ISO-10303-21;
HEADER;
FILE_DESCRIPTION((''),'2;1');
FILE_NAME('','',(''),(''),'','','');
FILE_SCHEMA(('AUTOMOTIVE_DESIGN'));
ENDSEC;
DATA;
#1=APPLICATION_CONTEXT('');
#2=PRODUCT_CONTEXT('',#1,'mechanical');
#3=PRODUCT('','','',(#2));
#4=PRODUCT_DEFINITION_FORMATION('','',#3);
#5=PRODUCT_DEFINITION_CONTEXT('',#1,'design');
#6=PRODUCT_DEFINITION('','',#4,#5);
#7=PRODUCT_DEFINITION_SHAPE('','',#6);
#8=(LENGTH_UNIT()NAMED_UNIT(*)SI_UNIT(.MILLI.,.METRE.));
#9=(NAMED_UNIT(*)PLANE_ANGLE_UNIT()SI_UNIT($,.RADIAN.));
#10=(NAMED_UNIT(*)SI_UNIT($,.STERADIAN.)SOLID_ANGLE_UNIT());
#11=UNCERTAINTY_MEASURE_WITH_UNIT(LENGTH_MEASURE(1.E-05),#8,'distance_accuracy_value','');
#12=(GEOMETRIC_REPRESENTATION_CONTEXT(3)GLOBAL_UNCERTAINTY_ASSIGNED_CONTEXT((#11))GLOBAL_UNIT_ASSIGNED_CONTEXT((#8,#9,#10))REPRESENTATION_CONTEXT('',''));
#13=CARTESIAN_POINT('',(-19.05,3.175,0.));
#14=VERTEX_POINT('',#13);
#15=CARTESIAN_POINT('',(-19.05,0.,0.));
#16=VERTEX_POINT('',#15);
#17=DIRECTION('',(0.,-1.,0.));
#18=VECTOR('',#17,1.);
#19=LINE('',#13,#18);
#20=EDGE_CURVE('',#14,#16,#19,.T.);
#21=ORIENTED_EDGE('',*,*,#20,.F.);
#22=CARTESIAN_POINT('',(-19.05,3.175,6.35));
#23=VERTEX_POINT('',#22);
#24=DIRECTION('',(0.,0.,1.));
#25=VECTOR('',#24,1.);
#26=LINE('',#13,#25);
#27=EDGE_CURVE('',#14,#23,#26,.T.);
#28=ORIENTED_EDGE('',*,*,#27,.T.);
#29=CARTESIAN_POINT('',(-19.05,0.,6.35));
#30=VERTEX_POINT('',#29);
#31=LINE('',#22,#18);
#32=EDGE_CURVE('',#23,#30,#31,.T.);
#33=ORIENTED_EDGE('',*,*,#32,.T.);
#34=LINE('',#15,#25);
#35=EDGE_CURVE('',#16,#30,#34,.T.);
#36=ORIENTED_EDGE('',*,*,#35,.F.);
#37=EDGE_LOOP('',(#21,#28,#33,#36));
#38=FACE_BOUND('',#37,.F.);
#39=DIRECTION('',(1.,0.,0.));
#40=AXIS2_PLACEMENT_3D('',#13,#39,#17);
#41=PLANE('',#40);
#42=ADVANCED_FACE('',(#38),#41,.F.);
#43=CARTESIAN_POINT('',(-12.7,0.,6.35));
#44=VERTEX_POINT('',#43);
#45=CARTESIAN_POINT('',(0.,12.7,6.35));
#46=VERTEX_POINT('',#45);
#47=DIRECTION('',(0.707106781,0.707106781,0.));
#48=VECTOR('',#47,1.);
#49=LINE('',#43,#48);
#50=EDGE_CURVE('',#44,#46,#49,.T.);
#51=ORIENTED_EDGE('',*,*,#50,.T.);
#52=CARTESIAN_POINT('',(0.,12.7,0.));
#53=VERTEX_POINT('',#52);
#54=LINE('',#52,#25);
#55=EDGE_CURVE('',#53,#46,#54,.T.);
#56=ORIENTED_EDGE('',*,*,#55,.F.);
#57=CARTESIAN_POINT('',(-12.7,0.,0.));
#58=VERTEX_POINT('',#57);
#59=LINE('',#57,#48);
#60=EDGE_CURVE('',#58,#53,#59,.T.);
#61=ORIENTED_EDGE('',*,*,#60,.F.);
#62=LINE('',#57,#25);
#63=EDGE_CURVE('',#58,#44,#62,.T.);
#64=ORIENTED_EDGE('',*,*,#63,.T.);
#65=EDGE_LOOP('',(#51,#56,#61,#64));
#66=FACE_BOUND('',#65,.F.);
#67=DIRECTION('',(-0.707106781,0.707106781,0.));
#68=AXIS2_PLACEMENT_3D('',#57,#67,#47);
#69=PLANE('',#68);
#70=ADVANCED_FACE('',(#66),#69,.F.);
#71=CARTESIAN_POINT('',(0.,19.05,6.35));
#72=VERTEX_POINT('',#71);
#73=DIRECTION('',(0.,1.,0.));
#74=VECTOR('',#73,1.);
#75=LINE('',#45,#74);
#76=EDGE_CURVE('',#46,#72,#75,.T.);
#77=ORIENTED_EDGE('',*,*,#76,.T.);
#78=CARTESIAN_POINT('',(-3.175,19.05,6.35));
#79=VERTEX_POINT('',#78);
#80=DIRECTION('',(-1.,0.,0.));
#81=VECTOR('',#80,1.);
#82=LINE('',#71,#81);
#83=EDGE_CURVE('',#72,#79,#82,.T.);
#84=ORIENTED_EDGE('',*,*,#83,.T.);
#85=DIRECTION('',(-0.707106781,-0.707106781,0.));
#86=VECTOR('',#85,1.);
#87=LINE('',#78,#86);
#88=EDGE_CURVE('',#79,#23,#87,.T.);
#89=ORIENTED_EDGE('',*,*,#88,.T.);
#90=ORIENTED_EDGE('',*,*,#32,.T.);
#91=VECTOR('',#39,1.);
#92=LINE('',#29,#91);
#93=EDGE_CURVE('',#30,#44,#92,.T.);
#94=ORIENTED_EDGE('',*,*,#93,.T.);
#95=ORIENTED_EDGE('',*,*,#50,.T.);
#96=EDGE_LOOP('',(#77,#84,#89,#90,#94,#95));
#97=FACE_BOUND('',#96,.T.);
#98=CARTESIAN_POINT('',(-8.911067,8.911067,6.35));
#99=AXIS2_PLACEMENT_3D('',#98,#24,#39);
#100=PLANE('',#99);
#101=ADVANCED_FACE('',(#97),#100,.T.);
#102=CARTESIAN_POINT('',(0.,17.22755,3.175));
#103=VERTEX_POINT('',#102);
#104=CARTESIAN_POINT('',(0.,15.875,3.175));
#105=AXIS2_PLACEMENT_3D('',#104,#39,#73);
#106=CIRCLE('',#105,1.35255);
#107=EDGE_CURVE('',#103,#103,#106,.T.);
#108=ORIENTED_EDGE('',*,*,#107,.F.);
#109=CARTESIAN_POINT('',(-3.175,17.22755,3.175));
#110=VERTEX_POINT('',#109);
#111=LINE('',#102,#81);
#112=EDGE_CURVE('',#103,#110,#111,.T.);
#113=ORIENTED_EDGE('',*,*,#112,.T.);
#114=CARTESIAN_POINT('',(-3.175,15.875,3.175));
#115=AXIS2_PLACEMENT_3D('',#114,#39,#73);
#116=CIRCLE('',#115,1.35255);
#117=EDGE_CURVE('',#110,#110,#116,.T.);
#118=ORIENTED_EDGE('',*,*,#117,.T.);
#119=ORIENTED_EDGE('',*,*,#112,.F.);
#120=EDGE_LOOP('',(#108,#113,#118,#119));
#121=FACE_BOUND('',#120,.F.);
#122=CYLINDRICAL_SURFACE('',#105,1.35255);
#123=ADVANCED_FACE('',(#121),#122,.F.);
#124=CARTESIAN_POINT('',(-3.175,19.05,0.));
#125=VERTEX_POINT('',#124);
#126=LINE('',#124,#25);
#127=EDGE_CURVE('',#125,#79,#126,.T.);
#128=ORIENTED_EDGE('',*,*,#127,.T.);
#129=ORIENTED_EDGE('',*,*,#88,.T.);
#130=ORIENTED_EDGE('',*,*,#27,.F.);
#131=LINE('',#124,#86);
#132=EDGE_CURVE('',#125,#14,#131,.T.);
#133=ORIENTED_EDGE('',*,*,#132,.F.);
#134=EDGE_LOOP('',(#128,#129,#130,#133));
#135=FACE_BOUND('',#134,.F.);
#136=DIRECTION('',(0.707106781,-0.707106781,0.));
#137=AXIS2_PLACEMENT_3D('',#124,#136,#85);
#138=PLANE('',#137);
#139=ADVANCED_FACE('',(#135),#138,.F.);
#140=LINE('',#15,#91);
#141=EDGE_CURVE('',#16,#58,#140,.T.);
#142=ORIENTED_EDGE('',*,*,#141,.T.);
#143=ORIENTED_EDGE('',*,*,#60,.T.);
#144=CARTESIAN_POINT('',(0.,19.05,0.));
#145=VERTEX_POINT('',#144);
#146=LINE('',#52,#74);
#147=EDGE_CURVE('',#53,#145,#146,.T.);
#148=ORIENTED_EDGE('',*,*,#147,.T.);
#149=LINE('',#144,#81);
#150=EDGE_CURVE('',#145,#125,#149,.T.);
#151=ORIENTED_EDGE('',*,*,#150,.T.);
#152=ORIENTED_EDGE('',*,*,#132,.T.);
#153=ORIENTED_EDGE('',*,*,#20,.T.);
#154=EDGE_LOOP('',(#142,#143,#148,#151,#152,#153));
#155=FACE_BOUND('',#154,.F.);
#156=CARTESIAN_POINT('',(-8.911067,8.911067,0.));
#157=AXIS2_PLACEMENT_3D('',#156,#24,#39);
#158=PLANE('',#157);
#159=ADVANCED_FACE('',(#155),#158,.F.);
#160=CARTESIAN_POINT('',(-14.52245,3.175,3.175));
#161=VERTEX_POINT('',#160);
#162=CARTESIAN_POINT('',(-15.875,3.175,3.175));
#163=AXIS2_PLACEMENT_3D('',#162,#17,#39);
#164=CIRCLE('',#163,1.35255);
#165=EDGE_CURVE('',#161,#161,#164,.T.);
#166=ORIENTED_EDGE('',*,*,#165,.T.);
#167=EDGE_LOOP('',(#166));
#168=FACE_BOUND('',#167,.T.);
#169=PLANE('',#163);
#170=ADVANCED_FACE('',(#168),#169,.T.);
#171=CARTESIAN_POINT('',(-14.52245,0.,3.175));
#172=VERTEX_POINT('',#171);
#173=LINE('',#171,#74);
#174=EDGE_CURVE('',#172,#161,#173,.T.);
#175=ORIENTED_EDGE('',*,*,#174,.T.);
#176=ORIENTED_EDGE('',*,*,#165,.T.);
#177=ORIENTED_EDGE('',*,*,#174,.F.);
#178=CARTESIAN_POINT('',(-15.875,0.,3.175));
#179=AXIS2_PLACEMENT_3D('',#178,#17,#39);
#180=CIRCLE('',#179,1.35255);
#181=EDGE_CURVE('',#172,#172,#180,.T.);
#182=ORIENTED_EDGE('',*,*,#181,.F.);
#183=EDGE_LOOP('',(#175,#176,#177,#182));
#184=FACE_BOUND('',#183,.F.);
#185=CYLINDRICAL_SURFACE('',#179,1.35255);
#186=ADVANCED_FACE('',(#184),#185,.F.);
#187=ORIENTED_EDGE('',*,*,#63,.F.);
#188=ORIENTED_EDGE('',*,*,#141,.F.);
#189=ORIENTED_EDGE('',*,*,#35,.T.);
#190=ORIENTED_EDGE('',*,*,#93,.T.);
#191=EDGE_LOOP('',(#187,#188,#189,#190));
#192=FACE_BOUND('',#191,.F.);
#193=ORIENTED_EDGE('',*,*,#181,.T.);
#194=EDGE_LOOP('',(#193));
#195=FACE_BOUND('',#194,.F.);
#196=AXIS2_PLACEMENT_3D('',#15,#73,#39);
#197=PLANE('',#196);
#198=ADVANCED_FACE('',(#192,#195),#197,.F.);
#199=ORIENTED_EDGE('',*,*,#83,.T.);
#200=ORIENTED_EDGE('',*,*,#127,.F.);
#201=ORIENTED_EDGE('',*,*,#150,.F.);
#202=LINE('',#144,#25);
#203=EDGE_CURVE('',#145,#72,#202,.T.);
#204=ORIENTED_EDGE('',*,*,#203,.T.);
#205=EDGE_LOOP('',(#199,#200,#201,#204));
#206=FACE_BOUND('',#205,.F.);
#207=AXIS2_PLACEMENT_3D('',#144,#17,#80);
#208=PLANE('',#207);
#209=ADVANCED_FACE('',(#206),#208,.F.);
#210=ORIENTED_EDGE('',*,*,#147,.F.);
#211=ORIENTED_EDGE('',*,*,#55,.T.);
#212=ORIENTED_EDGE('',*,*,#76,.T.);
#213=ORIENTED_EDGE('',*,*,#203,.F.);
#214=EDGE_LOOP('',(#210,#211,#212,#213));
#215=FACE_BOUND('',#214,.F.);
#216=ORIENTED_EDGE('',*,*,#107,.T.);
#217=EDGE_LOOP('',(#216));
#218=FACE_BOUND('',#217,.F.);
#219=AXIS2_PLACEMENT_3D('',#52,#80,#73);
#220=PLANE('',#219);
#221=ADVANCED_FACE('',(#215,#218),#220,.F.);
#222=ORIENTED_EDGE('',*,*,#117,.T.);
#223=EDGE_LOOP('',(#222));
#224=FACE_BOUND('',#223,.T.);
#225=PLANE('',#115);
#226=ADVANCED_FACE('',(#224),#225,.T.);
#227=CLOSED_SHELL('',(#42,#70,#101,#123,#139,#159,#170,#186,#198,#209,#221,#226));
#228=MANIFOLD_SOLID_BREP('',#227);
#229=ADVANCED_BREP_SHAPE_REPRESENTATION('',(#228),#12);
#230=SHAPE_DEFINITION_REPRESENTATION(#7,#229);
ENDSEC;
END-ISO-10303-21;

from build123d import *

# Parameters (mm, degrees)
F1_DEPTH = 6.35
F2_R     = 1.35255
F3_DEPTH = 3.175
F4_R     = 1.35255
F5_DEPTH = 3.175


with BuildPart() as f1:
    # F0 (on Top) → F1 (new body)
    with BuildSketch(Plane.XY):
        Polygon((-19.05, 0), (-12.7, 0), (0, 12.7), (0, 19.05), (-3.175, 19.05), (-19.05, 3.175), align=None)
    extrude(amount=F1_DEPTH)

    # F2 (on face) → F3 (cut)
    with BuildSketch(Plane.YZ):
        with Locations((15.875, 3.175)):
            Circle(F2_R)
    extrude(amount=-F3_DEPTH, mode=Mode.SUBTRACT)

    # F4 (on face) → F5 (cut)
    with BuildSketch(Plane.XZ):
        with Locations((-15.875, 3.175)):
            Circle(F4_R)
    extrude(amount=-F5_DEPTH, mode=Mode.SUBTRACT)


solid = f1.part
